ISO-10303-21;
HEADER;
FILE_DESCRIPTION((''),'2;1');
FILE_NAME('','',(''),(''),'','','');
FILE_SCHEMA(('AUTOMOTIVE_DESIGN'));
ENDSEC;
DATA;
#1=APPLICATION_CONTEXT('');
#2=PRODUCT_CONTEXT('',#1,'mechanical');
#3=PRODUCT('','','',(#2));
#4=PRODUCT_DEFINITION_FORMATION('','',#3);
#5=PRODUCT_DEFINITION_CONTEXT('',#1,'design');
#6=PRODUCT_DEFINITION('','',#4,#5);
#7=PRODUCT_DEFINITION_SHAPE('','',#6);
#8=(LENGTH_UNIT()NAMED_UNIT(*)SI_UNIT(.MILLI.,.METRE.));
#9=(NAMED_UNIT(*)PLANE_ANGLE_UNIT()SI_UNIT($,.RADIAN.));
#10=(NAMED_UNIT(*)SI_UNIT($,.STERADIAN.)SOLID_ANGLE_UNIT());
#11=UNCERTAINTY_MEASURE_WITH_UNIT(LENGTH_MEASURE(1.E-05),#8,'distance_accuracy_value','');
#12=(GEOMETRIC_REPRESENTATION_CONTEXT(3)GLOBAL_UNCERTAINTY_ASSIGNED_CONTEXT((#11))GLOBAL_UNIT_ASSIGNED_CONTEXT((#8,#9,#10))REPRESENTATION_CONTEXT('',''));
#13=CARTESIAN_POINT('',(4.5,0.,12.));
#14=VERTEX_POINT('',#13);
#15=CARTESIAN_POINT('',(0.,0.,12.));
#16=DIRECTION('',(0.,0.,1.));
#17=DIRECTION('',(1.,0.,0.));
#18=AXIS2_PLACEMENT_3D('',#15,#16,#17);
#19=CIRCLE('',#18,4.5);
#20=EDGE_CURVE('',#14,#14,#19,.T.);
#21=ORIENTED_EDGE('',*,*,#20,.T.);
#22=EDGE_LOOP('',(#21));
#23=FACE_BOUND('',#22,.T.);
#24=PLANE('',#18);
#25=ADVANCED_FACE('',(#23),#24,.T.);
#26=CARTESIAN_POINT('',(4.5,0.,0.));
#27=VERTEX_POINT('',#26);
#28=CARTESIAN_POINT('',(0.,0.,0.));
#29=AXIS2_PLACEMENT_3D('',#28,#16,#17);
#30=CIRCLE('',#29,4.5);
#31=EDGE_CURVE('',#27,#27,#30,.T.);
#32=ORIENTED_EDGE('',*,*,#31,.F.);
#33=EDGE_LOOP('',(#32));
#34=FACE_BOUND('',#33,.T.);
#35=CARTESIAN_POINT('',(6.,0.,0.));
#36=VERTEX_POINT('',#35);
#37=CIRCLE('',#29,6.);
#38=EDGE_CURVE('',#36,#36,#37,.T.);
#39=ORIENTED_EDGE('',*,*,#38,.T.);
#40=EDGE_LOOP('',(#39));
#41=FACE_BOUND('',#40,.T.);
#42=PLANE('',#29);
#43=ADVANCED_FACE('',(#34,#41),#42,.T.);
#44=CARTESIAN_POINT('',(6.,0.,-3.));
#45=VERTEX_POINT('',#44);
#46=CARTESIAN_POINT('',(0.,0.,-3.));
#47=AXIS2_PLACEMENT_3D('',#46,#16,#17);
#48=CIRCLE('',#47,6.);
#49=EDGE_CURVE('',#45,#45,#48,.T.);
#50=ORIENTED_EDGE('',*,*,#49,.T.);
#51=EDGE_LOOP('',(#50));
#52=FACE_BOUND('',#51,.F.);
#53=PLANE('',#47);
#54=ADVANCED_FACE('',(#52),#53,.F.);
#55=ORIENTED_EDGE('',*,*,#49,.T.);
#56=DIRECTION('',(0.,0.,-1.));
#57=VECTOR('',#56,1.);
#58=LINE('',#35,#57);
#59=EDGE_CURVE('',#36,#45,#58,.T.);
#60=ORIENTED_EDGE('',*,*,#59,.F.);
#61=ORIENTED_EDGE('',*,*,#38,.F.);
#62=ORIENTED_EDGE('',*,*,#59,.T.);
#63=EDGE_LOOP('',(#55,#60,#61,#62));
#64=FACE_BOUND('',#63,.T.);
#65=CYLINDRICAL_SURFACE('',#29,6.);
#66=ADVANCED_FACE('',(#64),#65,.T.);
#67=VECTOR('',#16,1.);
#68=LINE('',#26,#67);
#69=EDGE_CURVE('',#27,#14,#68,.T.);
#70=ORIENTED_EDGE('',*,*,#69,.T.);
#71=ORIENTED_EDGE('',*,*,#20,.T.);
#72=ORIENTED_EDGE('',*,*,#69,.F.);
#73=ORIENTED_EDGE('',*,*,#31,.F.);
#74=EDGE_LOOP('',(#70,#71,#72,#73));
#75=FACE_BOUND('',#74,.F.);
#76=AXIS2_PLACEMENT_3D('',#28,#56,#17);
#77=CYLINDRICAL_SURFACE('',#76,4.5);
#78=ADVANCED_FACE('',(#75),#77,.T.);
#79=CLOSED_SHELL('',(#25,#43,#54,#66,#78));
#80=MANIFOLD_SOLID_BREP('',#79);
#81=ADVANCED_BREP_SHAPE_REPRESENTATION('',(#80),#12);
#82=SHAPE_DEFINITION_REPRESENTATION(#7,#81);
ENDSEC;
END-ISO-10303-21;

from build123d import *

# Parameters (mm, degrees)
F0_R      = 4.5
F1_DEPTH  = 12
F0_R_2    = 6
F1_FACE_R = 4.5
F2_DEPTH  = 3


with BuildPart() as f1:
    # F0 (on Top) → F1 (new body)
    with BuildSketch(Plane.XY):
        Circle(F0_R)
    extrude(amount=F1_DEPTH)

    # F0 (on Top) + F1_face (on face) → F2 (join)
    with BuildSketch(Plane.XY):
        Circle(F0_R_2)
        Circle(F0_R, mode=Mode.SUBTRACT)
    with BuildSketch(Plane(origin=(0, 0, 0), x_dir=(1, 0, 0), z_dir=(0, 0, -1))):
        Circle(F1_FACE_R)
    extrude(amount=-F2_DEPTH, dir=(0, 0, 1))


solid = f1.part
